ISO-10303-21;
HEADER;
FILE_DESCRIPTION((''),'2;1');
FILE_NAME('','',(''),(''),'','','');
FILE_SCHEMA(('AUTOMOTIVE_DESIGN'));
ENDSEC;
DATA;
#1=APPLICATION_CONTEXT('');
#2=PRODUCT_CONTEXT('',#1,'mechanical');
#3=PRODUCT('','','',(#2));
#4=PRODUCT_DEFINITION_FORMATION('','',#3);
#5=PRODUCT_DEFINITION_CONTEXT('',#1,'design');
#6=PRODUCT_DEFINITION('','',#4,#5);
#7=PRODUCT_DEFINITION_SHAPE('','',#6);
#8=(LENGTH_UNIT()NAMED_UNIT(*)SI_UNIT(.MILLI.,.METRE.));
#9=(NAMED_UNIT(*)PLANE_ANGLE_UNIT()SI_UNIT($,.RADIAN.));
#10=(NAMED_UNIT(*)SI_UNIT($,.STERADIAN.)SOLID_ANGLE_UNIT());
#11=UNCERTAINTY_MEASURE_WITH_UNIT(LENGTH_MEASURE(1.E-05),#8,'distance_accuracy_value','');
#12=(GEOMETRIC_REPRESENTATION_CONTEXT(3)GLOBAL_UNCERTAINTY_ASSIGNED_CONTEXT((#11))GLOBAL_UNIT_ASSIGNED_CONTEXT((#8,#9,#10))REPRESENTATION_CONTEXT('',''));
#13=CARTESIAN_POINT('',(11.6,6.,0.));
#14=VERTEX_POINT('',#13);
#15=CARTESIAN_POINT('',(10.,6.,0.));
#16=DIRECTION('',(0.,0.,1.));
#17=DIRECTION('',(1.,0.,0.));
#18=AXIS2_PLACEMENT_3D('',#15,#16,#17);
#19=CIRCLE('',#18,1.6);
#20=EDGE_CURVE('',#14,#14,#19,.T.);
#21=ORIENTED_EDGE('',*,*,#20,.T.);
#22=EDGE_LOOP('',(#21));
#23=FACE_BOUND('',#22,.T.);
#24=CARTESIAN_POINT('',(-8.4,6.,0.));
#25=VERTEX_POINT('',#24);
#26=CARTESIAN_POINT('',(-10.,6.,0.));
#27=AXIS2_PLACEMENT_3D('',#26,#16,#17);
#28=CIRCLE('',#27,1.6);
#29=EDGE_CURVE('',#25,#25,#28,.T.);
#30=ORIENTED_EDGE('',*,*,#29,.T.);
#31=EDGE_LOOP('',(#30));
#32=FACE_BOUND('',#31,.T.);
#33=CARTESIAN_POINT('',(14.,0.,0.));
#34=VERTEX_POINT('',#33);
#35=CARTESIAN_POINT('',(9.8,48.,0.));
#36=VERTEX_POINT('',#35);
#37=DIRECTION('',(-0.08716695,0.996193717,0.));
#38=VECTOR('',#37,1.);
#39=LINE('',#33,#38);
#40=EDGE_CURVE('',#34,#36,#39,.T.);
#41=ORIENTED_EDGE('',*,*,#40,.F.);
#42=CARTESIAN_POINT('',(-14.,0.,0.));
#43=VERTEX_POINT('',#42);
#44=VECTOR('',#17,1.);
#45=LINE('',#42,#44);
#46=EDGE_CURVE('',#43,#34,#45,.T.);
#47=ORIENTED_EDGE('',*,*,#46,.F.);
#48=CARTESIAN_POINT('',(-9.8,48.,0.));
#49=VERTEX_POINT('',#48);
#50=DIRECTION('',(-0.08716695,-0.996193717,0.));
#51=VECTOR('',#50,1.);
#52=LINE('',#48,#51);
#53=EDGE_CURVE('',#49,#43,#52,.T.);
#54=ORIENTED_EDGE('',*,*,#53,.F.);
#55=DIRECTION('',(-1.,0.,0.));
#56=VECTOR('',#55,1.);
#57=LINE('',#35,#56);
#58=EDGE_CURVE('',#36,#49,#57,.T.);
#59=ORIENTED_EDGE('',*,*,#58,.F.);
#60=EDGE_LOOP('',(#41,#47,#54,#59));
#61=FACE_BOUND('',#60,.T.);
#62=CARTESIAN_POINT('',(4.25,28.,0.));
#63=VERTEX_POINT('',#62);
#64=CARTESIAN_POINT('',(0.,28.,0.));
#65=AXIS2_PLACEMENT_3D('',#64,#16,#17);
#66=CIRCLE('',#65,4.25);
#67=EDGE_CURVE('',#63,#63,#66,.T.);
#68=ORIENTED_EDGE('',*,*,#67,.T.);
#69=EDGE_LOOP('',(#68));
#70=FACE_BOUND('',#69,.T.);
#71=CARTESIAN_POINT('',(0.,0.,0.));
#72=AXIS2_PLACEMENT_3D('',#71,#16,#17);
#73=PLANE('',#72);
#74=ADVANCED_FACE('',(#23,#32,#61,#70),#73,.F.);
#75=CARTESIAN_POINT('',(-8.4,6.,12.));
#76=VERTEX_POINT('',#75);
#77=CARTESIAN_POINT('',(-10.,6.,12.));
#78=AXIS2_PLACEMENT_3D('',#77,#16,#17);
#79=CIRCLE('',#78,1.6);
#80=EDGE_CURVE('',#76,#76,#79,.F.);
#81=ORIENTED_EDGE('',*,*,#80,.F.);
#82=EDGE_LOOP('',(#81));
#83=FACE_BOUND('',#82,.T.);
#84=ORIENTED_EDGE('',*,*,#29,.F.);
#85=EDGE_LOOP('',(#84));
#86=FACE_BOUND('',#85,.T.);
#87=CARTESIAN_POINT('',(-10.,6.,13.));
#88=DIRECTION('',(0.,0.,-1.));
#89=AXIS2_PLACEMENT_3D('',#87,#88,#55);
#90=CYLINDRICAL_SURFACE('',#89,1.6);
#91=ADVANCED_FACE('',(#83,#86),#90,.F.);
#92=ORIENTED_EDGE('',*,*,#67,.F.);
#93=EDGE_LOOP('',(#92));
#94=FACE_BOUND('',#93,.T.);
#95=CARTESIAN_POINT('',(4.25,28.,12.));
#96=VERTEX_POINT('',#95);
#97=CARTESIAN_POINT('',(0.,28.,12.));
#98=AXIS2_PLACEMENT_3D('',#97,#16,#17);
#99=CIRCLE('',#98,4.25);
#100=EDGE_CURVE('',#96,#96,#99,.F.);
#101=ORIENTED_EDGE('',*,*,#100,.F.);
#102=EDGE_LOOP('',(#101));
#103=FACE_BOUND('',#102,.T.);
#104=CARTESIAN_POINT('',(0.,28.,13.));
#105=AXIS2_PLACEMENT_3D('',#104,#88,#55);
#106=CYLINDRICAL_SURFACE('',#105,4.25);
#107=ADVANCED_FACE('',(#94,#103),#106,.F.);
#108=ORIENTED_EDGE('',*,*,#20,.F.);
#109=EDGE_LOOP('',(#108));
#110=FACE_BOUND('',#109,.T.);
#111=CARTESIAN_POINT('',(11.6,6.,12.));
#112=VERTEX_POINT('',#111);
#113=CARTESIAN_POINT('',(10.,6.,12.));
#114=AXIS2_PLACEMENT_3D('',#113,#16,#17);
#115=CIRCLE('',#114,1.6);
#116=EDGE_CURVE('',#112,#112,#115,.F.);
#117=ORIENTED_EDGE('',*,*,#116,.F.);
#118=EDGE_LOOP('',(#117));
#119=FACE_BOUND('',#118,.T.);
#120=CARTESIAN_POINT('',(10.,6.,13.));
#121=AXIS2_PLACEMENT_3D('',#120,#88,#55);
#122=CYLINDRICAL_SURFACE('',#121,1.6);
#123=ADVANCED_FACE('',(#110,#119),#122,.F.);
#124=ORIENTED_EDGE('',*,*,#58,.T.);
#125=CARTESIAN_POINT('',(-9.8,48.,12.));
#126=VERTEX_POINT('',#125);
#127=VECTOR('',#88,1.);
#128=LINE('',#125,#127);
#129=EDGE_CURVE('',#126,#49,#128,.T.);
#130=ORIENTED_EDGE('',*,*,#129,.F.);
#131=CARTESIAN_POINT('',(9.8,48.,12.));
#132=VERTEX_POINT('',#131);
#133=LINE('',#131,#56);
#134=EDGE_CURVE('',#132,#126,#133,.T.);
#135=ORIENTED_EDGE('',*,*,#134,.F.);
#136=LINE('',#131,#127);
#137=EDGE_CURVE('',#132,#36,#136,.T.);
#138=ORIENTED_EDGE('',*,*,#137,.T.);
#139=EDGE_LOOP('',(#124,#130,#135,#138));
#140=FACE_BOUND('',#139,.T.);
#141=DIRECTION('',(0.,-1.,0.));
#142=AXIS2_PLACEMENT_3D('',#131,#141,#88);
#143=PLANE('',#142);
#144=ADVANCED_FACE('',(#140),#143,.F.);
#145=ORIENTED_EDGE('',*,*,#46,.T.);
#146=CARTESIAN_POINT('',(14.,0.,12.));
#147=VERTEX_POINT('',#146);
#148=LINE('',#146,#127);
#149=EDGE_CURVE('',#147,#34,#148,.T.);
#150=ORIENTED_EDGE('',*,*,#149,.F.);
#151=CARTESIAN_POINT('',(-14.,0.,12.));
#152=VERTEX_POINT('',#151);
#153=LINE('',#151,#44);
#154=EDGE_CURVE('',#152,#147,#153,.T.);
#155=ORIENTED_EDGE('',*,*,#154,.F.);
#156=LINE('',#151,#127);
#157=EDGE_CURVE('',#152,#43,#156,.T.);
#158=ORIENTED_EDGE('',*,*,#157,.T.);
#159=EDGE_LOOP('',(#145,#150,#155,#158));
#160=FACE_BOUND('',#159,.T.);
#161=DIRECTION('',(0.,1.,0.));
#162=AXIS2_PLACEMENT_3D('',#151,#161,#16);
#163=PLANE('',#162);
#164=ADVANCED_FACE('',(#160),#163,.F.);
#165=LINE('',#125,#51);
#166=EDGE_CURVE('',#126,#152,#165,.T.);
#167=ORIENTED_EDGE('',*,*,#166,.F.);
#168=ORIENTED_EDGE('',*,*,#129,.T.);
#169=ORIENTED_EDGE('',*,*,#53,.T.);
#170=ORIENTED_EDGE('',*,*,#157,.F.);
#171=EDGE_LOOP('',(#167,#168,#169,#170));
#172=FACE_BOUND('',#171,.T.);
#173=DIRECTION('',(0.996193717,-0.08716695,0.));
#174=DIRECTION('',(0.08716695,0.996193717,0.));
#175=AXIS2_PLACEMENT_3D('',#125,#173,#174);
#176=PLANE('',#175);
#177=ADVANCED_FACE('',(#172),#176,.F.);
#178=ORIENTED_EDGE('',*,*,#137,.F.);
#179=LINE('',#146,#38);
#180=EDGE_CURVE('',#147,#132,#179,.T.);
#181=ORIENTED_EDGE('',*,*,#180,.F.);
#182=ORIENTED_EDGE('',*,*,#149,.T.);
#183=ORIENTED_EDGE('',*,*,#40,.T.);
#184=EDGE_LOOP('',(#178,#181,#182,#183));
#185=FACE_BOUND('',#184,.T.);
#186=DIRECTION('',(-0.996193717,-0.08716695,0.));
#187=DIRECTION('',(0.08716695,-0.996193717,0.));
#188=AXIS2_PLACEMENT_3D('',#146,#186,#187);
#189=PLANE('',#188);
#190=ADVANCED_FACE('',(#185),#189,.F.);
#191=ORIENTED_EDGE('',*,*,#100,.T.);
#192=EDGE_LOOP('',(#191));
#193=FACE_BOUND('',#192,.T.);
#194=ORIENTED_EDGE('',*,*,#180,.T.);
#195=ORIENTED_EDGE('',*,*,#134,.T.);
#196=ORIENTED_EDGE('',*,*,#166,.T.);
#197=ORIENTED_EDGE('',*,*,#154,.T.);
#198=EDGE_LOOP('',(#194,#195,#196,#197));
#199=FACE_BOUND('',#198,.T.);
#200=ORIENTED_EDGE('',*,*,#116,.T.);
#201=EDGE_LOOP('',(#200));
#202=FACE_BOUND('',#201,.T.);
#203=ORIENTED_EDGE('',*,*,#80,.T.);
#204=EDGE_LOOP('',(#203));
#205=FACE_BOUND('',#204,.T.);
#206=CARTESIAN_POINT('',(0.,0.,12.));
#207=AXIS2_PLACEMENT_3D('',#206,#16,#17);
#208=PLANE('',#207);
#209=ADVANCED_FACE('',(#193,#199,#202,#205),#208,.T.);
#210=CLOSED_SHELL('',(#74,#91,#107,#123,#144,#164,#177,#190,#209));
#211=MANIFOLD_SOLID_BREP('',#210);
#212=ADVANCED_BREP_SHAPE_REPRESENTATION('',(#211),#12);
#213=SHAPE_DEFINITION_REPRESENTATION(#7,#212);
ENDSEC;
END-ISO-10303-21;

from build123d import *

# Parameters (mm, degrees)
BOSS_EXTRUDE1_DEPTH = 12
SKETCH2_R           = 4.25
SKETCH2_R_2         = 1.6
CUT_EXTRUDE2_DEPTH  = 13


with BuildPart() as part:
    # Sketch1 → Boss-Extrude1 (new body)
    with BuildSketch(Plane.XY):
        Polygon((-14, 0), (14, 0), (9.8, 48), (-9.8, 48), align=None)
    extrude(amount=BOSS_EXTRUDE1_DEPTH)

    # Sketch2 → Cut-Extrude2 (cut)
    with BuildSketch(Plane.XY):
        with Locations((0, 28)):
            Circle(SKETCH2_R)
        with Locations((10, 6)):
            Circle(SKETCH2_R_2)
        with Locations((-10, 6)):
            Circle(SKETCH2_R_2)
    extrude(amount=CUT_EXTRUDE2_DEPTH, mode=Mode.SUBTRACT)


solid = part.part
